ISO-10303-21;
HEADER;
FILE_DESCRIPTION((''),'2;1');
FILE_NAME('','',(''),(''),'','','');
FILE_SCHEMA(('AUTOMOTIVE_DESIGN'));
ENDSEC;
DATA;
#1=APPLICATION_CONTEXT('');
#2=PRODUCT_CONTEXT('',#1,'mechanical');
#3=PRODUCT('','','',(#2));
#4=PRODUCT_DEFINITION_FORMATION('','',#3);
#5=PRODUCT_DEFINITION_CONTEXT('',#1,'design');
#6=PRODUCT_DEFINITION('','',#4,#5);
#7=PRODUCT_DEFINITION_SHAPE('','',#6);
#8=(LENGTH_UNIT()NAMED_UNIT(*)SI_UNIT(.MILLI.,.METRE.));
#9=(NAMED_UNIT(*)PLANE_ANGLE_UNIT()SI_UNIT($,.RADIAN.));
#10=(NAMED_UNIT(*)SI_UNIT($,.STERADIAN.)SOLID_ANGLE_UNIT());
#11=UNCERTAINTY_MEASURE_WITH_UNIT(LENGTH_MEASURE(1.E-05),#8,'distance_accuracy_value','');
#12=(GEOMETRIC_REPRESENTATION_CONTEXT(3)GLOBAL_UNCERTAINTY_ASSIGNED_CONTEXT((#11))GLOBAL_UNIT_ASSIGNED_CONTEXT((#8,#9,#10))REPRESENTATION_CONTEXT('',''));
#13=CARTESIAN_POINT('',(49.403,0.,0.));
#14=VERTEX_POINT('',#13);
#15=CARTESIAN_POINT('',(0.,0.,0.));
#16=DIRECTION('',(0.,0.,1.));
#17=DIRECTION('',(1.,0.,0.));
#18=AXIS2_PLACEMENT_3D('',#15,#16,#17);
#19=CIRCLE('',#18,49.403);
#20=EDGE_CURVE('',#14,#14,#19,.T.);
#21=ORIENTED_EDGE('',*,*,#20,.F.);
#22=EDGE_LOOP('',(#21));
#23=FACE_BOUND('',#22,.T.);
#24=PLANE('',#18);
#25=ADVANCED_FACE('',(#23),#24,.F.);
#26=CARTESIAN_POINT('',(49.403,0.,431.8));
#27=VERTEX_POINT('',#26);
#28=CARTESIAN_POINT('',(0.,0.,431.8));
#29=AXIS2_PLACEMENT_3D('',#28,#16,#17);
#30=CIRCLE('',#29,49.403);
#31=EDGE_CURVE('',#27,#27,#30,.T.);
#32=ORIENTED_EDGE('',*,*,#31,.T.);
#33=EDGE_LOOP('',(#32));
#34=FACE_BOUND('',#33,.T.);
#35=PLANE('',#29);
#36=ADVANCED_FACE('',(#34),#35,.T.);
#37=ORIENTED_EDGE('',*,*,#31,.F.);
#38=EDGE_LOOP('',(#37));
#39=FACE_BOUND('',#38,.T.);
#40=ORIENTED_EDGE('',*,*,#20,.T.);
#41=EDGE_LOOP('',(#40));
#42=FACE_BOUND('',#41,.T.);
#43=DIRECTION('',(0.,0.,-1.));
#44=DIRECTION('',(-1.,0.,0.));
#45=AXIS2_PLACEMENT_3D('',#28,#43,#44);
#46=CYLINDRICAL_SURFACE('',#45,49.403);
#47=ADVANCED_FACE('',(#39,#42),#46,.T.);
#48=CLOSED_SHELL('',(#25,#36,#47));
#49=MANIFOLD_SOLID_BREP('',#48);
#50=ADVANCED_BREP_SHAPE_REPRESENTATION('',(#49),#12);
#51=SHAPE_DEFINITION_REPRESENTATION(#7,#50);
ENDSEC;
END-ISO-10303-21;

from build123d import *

# Parameters (mm, degrees)
ESQUISSE2_R        = 49.403
BOSS_EXTRU_1_DEPTH = 431.8


with BuildPart() as part:
    # Esquisse2 → Boss.-Extru.1 (new body)
    with BuildSketch(Plane.XY):
        Circle(ESQUISSE2_R)
    extrude(amount=BOSS_EXTRU_1_DEPTH)


solid = part.part
